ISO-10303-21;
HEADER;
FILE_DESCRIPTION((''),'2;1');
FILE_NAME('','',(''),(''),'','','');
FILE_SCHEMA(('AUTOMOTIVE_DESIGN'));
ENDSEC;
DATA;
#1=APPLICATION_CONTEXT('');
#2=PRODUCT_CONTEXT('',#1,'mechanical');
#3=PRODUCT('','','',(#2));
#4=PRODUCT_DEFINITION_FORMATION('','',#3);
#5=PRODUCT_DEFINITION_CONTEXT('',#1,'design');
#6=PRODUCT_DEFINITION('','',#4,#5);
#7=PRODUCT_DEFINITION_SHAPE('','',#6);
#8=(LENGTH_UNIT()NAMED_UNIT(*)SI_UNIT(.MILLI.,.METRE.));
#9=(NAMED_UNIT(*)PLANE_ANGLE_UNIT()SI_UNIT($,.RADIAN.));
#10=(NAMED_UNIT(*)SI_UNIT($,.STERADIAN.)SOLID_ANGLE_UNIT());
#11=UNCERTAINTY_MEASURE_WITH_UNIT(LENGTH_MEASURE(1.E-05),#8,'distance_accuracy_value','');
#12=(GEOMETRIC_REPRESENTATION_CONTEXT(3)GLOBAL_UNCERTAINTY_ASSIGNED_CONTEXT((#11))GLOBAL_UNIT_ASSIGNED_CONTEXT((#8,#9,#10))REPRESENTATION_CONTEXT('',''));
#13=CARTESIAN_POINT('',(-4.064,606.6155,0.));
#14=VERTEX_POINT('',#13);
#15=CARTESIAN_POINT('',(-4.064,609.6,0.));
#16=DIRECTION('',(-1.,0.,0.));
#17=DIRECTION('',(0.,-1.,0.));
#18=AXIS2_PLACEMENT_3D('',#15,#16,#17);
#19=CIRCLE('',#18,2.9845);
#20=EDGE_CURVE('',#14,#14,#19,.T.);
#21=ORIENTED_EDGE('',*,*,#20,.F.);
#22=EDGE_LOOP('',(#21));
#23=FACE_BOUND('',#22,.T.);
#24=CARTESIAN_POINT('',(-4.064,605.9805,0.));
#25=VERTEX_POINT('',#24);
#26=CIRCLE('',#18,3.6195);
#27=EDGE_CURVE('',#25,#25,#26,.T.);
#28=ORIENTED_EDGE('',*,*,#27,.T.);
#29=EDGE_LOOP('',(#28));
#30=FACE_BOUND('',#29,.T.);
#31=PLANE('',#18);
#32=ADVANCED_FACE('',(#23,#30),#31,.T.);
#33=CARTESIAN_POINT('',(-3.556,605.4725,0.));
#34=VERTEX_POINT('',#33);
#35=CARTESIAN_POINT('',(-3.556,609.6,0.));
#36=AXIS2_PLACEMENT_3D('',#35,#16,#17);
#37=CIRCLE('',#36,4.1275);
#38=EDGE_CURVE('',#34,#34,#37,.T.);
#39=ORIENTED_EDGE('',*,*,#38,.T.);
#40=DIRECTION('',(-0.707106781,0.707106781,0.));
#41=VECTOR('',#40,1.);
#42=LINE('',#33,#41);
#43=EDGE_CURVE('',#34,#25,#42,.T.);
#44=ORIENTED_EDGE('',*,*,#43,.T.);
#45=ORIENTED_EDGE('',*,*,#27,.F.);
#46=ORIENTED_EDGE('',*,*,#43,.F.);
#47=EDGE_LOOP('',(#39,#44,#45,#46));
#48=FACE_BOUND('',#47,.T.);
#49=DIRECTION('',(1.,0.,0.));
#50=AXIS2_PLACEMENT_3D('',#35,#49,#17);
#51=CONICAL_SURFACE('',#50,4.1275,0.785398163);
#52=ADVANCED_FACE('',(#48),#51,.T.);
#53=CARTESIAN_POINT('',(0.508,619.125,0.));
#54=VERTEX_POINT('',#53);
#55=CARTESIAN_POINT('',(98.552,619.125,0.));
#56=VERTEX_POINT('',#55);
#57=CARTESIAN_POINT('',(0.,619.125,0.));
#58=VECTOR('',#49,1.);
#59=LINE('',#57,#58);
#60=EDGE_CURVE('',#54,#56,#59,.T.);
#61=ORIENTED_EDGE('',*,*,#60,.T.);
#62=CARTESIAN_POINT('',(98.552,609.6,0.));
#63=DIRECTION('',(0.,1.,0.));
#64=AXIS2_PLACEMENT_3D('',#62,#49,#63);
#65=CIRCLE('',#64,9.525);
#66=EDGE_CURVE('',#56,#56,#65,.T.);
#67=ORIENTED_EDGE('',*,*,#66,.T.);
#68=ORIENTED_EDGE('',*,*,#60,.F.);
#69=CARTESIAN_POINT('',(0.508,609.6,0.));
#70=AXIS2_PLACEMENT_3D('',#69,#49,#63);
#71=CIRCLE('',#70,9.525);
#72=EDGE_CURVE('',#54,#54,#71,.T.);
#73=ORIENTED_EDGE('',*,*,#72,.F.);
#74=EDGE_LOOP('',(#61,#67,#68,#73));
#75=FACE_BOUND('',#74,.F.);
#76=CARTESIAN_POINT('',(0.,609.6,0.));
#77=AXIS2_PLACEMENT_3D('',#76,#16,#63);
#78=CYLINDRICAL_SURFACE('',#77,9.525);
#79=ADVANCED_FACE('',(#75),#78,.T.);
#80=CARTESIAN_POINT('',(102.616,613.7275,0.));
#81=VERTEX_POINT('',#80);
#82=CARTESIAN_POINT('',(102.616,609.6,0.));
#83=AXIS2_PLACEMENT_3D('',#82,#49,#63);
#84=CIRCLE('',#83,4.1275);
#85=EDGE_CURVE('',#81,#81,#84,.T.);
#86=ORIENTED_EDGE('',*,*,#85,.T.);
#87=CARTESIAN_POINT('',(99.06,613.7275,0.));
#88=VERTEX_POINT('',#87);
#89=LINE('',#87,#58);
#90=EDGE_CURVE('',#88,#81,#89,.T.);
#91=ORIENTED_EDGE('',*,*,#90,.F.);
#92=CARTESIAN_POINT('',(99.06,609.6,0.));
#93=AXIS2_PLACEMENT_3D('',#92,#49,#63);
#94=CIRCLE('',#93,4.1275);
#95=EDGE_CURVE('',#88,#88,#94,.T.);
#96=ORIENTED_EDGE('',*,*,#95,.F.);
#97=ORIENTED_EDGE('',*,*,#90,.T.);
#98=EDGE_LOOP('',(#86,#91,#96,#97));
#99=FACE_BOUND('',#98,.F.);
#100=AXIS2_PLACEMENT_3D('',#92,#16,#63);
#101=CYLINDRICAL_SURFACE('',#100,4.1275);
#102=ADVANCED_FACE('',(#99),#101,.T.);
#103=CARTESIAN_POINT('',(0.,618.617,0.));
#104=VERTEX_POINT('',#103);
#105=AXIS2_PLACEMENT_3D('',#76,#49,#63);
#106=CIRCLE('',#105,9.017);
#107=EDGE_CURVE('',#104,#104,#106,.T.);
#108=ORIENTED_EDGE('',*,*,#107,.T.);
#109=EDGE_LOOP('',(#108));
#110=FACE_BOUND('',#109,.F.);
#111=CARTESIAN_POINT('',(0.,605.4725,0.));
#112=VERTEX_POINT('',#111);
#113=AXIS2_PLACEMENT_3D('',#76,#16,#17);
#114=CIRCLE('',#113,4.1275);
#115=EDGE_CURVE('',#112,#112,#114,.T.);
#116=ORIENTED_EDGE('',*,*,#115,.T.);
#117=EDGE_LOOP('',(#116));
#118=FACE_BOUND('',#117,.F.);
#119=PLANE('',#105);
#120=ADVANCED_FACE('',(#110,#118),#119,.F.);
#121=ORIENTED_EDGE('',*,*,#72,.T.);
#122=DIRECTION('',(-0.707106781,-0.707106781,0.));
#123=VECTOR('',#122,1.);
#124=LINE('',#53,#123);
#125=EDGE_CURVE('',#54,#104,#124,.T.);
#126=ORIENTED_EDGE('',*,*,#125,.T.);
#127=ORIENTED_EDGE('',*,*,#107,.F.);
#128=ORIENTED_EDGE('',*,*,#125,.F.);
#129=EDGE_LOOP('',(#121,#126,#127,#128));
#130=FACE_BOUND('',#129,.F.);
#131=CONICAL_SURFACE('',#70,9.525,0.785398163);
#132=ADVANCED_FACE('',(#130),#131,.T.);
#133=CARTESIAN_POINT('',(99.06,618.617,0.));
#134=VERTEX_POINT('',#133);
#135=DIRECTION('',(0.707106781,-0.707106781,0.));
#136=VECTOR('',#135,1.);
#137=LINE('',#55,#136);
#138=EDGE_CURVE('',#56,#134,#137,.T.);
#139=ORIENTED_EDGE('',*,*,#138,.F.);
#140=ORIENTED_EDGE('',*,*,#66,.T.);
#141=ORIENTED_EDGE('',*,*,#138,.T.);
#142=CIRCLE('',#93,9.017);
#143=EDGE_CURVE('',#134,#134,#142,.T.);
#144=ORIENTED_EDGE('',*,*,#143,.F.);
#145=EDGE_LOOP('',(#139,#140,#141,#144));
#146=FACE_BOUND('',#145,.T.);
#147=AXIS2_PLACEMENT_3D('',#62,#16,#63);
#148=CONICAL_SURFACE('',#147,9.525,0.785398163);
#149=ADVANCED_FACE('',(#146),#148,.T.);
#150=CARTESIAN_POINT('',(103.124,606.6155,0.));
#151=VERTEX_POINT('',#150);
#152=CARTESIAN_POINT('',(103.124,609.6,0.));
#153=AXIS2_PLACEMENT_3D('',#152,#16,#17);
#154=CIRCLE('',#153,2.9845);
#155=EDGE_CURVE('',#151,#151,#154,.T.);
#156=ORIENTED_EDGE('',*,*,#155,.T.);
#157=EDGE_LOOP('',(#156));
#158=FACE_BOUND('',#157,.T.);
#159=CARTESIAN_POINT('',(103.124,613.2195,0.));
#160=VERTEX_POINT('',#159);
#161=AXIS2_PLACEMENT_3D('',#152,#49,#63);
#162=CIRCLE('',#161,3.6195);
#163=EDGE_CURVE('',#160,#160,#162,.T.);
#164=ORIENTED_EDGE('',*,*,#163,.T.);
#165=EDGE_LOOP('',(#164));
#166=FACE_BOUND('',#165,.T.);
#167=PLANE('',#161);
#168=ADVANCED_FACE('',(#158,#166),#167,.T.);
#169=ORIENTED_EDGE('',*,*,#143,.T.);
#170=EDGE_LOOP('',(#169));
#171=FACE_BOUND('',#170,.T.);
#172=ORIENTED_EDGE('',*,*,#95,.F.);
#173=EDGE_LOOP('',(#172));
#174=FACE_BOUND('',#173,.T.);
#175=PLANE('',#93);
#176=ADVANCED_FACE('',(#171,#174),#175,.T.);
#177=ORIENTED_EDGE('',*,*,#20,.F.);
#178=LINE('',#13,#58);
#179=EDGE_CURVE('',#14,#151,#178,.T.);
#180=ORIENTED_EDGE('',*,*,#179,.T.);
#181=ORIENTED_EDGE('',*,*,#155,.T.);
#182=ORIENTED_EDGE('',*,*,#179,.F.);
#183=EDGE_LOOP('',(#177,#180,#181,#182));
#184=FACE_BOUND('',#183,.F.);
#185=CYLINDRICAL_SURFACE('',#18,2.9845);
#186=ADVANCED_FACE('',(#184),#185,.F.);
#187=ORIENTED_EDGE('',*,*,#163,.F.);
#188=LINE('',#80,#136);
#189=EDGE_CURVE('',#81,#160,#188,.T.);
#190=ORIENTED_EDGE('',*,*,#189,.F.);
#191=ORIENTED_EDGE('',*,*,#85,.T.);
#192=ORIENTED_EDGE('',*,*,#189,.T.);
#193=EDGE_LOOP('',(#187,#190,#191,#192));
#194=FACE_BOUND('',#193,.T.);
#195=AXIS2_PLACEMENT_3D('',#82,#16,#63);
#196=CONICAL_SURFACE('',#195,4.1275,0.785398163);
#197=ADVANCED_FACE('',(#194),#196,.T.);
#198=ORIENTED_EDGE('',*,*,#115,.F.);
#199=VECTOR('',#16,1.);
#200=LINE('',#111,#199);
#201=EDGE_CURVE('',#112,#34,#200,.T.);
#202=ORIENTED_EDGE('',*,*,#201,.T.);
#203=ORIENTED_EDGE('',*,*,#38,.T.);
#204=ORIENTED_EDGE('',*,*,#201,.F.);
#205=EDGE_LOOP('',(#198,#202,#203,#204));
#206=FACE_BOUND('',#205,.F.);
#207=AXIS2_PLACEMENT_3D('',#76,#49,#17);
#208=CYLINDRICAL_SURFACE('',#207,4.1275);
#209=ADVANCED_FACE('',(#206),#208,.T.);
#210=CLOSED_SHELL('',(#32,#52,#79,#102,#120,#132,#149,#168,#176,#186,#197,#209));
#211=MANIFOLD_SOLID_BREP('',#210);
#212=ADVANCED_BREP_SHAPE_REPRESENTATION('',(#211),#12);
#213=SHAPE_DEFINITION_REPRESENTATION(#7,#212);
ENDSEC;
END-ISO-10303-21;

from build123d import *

# Parameters (mm, degrees)
F0_R     = 9.525
F6_DEPTH = 99.06
F7_R     = 4.1275
F1_DEPTH = 4.064
F3_R     = 4.1275
F8_DEPTH = 4.064
F4_R     = 2.9845
F9_DEPTH = 107.189
F5_SIZE  = 0.508


with BuildPart() as f6:
    # F0 (on Right) → F6 (new body)
    with BuildSketch(Plane.YZ):
        with Locations((609.6, 0)):
            Circle(F0_R)
    extrude(amount=F6_DEPTH)

    # F7 (on face) → F1 (join)
    with BuildSketch(Plane.YZ.offset(99.06)):
        with Locations((609.6, 0)):
            Circle(F7_R)
    extrude(amount=F1_DEPTH)

    # F3 (on face) → F8 (join)
    with BuildSketch(Plane(origin=(0, 0, 0), x_dir=(0, -1, 0), z_dir=(-1, 0, 0))):
        with Locations((-609.6, 0)):
            Circle(F3_R)
    extrude(amount=F8_DEPTH)

    # F4 (on face) → F9 (cut, through all)
    with BuildSketch(Plane(origin=(-4.064, 0, 0), x_dir=(0, -1, 0), z_dir=(-1, 0, 0))):
        with Locations((-609.6, 0)):
            Circle(F4_R)
    extrude(amount=-F9_DEPTH, mode=Mode.SUBTRACT)

    # F5
    f5_edges = [f6.edges().sort_by_distance(p)[0] for p in [
        (99.06, 600.075, 0),
        (0, 600.075, 0),
        (-4.064, 613.7275, 0),
        (103.124, 605.4725, 0),
    ]]
    chamfer(f5_edges, length=F5_SIZE)


solid = f6.part
